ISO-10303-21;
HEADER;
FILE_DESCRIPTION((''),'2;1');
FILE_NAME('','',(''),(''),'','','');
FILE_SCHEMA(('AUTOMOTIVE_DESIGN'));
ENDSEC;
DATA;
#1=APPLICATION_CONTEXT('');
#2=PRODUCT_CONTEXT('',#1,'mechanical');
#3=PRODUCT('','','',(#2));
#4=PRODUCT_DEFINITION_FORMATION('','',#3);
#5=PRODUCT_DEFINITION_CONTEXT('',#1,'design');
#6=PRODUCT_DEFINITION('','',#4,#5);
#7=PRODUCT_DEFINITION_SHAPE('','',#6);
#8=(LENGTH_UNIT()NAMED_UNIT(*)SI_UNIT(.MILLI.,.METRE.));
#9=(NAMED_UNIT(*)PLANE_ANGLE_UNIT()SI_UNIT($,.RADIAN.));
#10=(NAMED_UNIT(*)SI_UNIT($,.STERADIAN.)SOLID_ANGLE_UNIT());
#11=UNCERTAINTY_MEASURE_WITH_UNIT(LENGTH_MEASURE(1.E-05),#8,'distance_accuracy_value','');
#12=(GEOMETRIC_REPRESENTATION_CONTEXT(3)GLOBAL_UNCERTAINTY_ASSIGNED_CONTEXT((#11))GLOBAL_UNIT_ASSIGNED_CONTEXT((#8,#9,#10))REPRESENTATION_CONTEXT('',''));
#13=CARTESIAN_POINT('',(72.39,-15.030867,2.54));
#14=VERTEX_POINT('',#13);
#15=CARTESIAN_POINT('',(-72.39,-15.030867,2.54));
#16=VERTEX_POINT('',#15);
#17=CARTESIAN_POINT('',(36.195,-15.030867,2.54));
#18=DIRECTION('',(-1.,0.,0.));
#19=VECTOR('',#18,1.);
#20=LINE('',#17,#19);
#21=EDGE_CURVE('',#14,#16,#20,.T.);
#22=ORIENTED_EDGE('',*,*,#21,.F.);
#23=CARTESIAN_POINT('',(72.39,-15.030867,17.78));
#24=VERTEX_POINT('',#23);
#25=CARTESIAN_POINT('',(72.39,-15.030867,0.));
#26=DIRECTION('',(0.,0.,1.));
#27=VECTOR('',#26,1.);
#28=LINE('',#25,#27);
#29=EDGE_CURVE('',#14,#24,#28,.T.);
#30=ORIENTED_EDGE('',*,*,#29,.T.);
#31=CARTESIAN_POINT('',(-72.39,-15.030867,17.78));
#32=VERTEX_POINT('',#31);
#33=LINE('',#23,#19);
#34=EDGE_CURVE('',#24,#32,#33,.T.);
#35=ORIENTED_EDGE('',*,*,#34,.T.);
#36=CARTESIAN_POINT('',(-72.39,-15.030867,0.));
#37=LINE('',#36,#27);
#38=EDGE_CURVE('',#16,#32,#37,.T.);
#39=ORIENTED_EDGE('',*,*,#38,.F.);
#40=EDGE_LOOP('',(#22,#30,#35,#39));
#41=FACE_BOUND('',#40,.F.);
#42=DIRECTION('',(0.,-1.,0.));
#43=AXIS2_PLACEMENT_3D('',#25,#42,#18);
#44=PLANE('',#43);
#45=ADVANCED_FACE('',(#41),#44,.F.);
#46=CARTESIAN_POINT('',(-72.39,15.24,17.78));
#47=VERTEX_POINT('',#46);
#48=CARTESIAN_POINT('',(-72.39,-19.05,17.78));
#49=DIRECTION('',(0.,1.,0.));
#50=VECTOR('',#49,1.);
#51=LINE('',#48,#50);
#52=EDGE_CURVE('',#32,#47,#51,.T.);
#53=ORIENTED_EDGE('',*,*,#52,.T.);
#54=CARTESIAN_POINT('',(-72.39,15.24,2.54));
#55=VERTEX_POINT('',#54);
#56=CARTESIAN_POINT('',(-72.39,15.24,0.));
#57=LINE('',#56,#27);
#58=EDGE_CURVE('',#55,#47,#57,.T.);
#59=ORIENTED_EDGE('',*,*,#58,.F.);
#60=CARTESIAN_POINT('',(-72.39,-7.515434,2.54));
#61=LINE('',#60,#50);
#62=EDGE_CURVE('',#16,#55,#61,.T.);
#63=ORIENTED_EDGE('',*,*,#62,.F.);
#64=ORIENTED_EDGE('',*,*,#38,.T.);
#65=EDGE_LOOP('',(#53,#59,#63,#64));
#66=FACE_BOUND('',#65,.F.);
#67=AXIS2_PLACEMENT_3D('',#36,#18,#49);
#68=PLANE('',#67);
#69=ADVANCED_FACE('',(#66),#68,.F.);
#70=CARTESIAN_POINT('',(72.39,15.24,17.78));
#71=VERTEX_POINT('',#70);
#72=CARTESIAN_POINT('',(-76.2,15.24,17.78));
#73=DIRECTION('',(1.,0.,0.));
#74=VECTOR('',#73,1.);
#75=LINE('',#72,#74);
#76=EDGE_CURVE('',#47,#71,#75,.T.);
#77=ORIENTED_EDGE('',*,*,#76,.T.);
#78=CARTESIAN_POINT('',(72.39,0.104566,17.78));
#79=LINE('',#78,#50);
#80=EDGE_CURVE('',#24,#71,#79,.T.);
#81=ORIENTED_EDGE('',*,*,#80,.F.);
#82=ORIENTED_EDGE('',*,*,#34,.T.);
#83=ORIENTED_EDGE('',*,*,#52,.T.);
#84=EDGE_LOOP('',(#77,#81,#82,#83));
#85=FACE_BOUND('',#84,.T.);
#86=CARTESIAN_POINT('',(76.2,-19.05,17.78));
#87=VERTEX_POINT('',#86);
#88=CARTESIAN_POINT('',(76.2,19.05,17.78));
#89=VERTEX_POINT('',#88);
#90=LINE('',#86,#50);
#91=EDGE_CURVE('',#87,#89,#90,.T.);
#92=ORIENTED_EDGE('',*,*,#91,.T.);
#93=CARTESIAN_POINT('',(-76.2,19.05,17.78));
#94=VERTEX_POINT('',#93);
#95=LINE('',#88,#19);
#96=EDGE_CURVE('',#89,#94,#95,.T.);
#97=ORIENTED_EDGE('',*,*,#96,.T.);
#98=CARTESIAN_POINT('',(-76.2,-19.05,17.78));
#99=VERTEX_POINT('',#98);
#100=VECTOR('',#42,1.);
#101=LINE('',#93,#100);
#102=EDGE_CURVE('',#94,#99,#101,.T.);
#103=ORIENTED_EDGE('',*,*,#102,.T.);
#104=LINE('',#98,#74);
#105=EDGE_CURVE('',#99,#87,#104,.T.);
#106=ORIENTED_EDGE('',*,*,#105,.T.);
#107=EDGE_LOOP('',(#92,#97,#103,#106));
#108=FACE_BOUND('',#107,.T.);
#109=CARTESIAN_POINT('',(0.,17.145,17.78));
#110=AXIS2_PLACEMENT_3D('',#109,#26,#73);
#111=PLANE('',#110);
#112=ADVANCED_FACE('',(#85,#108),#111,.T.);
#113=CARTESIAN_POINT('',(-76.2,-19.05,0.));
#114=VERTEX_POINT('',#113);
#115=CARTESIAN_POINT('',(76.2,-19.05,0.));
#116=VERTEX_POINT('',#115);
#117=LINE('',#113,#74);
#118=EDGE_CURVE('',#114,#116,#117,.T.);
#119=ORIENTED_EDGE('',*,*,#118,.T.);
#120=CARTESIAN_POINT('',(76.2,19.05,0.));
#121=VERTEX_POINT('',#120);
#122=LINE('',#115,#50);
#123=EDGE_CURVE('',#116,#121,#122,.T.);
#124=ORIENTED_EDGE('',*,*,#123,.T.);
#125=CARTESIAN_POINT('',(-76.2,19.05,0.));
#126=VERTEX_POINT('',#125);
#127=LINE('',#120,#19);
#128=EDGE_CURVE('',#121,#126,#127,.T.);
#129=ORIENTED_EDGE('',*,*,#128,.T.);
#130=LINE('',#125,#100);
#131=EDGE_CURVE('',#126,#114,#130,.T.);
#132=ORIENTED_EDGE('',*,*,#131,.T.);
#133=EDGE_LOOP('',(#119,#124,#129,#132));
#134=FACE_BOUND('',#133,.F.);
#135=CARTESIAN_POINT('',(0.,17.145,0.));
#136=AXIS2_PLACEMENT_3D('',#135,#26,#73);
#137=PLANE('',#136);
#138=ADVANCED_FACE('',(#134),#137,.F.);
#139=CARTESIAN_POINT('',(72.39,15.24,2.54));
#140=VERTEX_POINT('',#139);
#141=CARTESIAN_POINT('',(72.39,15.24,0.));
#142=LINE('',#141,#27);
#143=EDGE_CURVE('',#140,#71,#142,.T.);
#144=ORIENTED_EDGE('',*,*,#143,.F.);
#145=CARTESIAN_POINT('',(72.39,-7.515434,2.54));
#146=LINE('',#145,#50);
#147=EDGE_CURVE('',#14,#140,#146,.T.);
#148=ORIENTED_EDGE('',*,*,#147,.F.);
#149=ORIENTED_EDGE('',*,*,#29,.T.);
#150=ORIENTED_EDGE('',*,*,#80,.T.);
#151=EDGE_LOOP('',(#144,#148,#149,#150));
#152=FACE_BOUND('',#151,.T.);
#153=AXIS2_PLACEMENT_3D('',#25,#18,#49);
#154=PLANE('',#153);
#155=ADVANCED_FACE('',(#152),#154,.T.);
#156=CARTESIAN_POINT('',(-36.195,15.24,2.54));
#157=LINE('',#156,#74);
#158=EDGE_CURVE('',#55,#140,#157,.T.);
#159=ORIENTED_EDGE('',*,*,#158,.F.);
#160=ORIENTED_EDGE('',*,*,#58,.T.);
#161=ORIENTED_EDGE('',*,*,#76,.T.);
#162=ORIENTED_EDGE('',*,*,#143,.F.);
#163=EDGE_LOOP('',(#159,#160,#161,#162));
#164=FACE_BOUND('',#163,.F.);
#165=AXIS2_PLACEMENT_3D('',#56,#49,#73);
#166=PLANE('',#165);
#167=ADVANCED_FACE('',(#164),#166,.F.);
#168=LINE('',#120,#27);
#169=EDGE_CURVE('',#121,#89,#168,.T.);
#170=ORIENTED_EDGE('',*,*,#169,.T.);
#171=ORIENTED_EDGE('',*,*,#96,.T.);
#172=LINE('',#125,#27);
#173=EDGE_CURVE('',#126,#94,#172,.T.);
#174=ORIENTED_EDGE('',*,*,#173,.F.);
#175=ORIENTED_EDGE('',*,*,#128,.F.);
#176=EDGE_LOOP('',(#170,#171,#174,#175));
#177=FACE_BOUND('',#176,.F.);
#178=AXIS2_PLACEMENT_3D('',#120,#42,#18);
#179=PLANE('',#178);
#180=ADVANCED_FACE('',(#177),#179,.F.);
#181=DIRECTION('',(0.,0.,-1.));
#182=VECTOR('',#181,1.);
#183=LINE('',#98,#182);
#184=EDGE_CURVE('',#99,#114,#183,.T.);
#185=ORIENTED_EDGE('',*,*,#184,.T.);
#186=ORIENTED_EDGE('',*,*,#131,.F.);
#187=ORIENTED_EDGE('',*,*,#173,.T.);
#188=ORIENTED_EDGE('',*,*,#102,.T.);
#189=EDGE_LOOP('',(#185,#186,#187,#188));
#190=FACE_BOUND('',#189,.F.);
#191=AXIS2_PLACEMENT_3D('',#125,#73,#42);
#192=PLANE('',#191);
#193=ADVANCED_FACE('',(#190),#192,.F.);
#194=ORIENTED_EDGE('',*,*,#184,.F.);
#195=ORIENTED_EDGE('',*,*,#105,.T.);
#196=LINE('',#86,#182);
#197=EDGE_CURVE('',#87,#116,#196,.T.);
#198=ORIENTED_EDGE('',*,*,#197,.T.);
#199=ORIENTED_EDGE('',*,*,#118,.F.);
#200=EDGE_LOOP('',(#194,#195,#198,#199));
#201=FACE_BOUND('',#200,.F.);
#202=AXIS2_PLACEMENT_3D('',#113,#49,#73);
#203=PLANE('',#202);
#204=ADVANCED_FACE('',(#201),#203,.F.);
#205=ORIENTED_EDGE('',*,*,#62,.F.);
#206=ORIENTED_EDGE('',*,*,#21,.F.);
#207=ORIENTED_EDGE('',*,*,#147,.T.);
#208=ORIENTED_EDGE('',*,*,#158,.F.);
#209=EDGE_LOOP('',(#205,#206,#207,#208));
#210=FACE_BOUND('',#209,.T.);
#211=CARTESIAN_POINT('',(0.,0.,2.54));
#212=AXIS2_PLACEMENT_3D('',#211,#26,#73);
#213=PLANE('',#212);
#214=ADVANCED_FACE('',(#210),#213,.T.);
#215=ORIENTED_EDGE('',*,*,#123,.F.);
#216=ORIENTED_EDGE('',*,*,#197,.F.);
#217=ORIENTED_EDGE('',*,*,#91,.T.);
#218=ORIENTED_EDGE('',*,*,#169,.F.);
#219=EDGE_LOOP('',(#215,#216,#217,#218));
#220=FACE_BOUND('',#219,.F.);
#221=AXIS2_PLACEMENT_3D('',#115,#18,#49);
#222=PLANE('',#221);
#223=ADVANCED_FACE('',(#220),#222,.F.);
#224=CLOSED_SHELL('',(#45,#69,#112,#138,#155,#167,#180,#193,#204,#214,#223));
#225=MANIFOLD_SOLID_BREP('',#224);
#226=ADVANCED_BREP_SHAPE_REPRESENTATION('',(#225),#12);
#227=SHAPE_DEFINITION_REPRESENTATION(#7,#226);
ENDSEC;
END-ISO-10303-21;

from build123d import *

# Parameters (mm, degrees)
F0_W     = 3.81
F0_H     = 3.81
F0_H_2   = 30.2708674201
F0_H_3   = 4.0191325799
F1_DEPTH = 17.78
F2_W     = 152.4
F2_H     = 38.1
F3_DEPTH = 2.54


with BuildPart() as f1:
    # F0 (on Top) → F1 (new body)
    with BuildSketch(Plane.XY):
        Polygon((-72.39, 15.24), (72.39, 15.24), (72.39, 19.05), (-68.58, 19.05), (-72.39, 19.05), align=None)
        with Locations((-74.295, 17.145)):
            Rectangle(F0_W, F0_H)
        with Locations((-74.295, 0.1045662899)):
            Rectangle(F0_W, F0_H_2)
        with Locations((-74.295, -17.0404337101)):
            Rectangle(F0_W, F0_H_3)
        Polygon((-71.3768037915, -19.05), (72.39, -19.05), (72.39, -15.0308674201), (-72.39, -15.0308674201), (-72.39, -19.05), align=None)
        with Locations((74.295, 0.1045662899)):
            Rectangle(F0_W, F0_H_2)
        Polygon((72.39, -19.05), (76.2, -19.05), (76.2, -18.8408674201), (76.2, -15.0308674201), (72.39, -15.0308674201), align=None)
        with Locations((74.295, 17.145)):
            Rectangle(F0_W, F0_H)
    extrude(amount=F1_DEPTH)

    # F2 (on Top) → F3 (join)
    with BuildSketch(Plane.XY):
        Rectangle(F2_W, F2_H)
    extrude(amount=F3_DEPTH)


solid = f1.part
